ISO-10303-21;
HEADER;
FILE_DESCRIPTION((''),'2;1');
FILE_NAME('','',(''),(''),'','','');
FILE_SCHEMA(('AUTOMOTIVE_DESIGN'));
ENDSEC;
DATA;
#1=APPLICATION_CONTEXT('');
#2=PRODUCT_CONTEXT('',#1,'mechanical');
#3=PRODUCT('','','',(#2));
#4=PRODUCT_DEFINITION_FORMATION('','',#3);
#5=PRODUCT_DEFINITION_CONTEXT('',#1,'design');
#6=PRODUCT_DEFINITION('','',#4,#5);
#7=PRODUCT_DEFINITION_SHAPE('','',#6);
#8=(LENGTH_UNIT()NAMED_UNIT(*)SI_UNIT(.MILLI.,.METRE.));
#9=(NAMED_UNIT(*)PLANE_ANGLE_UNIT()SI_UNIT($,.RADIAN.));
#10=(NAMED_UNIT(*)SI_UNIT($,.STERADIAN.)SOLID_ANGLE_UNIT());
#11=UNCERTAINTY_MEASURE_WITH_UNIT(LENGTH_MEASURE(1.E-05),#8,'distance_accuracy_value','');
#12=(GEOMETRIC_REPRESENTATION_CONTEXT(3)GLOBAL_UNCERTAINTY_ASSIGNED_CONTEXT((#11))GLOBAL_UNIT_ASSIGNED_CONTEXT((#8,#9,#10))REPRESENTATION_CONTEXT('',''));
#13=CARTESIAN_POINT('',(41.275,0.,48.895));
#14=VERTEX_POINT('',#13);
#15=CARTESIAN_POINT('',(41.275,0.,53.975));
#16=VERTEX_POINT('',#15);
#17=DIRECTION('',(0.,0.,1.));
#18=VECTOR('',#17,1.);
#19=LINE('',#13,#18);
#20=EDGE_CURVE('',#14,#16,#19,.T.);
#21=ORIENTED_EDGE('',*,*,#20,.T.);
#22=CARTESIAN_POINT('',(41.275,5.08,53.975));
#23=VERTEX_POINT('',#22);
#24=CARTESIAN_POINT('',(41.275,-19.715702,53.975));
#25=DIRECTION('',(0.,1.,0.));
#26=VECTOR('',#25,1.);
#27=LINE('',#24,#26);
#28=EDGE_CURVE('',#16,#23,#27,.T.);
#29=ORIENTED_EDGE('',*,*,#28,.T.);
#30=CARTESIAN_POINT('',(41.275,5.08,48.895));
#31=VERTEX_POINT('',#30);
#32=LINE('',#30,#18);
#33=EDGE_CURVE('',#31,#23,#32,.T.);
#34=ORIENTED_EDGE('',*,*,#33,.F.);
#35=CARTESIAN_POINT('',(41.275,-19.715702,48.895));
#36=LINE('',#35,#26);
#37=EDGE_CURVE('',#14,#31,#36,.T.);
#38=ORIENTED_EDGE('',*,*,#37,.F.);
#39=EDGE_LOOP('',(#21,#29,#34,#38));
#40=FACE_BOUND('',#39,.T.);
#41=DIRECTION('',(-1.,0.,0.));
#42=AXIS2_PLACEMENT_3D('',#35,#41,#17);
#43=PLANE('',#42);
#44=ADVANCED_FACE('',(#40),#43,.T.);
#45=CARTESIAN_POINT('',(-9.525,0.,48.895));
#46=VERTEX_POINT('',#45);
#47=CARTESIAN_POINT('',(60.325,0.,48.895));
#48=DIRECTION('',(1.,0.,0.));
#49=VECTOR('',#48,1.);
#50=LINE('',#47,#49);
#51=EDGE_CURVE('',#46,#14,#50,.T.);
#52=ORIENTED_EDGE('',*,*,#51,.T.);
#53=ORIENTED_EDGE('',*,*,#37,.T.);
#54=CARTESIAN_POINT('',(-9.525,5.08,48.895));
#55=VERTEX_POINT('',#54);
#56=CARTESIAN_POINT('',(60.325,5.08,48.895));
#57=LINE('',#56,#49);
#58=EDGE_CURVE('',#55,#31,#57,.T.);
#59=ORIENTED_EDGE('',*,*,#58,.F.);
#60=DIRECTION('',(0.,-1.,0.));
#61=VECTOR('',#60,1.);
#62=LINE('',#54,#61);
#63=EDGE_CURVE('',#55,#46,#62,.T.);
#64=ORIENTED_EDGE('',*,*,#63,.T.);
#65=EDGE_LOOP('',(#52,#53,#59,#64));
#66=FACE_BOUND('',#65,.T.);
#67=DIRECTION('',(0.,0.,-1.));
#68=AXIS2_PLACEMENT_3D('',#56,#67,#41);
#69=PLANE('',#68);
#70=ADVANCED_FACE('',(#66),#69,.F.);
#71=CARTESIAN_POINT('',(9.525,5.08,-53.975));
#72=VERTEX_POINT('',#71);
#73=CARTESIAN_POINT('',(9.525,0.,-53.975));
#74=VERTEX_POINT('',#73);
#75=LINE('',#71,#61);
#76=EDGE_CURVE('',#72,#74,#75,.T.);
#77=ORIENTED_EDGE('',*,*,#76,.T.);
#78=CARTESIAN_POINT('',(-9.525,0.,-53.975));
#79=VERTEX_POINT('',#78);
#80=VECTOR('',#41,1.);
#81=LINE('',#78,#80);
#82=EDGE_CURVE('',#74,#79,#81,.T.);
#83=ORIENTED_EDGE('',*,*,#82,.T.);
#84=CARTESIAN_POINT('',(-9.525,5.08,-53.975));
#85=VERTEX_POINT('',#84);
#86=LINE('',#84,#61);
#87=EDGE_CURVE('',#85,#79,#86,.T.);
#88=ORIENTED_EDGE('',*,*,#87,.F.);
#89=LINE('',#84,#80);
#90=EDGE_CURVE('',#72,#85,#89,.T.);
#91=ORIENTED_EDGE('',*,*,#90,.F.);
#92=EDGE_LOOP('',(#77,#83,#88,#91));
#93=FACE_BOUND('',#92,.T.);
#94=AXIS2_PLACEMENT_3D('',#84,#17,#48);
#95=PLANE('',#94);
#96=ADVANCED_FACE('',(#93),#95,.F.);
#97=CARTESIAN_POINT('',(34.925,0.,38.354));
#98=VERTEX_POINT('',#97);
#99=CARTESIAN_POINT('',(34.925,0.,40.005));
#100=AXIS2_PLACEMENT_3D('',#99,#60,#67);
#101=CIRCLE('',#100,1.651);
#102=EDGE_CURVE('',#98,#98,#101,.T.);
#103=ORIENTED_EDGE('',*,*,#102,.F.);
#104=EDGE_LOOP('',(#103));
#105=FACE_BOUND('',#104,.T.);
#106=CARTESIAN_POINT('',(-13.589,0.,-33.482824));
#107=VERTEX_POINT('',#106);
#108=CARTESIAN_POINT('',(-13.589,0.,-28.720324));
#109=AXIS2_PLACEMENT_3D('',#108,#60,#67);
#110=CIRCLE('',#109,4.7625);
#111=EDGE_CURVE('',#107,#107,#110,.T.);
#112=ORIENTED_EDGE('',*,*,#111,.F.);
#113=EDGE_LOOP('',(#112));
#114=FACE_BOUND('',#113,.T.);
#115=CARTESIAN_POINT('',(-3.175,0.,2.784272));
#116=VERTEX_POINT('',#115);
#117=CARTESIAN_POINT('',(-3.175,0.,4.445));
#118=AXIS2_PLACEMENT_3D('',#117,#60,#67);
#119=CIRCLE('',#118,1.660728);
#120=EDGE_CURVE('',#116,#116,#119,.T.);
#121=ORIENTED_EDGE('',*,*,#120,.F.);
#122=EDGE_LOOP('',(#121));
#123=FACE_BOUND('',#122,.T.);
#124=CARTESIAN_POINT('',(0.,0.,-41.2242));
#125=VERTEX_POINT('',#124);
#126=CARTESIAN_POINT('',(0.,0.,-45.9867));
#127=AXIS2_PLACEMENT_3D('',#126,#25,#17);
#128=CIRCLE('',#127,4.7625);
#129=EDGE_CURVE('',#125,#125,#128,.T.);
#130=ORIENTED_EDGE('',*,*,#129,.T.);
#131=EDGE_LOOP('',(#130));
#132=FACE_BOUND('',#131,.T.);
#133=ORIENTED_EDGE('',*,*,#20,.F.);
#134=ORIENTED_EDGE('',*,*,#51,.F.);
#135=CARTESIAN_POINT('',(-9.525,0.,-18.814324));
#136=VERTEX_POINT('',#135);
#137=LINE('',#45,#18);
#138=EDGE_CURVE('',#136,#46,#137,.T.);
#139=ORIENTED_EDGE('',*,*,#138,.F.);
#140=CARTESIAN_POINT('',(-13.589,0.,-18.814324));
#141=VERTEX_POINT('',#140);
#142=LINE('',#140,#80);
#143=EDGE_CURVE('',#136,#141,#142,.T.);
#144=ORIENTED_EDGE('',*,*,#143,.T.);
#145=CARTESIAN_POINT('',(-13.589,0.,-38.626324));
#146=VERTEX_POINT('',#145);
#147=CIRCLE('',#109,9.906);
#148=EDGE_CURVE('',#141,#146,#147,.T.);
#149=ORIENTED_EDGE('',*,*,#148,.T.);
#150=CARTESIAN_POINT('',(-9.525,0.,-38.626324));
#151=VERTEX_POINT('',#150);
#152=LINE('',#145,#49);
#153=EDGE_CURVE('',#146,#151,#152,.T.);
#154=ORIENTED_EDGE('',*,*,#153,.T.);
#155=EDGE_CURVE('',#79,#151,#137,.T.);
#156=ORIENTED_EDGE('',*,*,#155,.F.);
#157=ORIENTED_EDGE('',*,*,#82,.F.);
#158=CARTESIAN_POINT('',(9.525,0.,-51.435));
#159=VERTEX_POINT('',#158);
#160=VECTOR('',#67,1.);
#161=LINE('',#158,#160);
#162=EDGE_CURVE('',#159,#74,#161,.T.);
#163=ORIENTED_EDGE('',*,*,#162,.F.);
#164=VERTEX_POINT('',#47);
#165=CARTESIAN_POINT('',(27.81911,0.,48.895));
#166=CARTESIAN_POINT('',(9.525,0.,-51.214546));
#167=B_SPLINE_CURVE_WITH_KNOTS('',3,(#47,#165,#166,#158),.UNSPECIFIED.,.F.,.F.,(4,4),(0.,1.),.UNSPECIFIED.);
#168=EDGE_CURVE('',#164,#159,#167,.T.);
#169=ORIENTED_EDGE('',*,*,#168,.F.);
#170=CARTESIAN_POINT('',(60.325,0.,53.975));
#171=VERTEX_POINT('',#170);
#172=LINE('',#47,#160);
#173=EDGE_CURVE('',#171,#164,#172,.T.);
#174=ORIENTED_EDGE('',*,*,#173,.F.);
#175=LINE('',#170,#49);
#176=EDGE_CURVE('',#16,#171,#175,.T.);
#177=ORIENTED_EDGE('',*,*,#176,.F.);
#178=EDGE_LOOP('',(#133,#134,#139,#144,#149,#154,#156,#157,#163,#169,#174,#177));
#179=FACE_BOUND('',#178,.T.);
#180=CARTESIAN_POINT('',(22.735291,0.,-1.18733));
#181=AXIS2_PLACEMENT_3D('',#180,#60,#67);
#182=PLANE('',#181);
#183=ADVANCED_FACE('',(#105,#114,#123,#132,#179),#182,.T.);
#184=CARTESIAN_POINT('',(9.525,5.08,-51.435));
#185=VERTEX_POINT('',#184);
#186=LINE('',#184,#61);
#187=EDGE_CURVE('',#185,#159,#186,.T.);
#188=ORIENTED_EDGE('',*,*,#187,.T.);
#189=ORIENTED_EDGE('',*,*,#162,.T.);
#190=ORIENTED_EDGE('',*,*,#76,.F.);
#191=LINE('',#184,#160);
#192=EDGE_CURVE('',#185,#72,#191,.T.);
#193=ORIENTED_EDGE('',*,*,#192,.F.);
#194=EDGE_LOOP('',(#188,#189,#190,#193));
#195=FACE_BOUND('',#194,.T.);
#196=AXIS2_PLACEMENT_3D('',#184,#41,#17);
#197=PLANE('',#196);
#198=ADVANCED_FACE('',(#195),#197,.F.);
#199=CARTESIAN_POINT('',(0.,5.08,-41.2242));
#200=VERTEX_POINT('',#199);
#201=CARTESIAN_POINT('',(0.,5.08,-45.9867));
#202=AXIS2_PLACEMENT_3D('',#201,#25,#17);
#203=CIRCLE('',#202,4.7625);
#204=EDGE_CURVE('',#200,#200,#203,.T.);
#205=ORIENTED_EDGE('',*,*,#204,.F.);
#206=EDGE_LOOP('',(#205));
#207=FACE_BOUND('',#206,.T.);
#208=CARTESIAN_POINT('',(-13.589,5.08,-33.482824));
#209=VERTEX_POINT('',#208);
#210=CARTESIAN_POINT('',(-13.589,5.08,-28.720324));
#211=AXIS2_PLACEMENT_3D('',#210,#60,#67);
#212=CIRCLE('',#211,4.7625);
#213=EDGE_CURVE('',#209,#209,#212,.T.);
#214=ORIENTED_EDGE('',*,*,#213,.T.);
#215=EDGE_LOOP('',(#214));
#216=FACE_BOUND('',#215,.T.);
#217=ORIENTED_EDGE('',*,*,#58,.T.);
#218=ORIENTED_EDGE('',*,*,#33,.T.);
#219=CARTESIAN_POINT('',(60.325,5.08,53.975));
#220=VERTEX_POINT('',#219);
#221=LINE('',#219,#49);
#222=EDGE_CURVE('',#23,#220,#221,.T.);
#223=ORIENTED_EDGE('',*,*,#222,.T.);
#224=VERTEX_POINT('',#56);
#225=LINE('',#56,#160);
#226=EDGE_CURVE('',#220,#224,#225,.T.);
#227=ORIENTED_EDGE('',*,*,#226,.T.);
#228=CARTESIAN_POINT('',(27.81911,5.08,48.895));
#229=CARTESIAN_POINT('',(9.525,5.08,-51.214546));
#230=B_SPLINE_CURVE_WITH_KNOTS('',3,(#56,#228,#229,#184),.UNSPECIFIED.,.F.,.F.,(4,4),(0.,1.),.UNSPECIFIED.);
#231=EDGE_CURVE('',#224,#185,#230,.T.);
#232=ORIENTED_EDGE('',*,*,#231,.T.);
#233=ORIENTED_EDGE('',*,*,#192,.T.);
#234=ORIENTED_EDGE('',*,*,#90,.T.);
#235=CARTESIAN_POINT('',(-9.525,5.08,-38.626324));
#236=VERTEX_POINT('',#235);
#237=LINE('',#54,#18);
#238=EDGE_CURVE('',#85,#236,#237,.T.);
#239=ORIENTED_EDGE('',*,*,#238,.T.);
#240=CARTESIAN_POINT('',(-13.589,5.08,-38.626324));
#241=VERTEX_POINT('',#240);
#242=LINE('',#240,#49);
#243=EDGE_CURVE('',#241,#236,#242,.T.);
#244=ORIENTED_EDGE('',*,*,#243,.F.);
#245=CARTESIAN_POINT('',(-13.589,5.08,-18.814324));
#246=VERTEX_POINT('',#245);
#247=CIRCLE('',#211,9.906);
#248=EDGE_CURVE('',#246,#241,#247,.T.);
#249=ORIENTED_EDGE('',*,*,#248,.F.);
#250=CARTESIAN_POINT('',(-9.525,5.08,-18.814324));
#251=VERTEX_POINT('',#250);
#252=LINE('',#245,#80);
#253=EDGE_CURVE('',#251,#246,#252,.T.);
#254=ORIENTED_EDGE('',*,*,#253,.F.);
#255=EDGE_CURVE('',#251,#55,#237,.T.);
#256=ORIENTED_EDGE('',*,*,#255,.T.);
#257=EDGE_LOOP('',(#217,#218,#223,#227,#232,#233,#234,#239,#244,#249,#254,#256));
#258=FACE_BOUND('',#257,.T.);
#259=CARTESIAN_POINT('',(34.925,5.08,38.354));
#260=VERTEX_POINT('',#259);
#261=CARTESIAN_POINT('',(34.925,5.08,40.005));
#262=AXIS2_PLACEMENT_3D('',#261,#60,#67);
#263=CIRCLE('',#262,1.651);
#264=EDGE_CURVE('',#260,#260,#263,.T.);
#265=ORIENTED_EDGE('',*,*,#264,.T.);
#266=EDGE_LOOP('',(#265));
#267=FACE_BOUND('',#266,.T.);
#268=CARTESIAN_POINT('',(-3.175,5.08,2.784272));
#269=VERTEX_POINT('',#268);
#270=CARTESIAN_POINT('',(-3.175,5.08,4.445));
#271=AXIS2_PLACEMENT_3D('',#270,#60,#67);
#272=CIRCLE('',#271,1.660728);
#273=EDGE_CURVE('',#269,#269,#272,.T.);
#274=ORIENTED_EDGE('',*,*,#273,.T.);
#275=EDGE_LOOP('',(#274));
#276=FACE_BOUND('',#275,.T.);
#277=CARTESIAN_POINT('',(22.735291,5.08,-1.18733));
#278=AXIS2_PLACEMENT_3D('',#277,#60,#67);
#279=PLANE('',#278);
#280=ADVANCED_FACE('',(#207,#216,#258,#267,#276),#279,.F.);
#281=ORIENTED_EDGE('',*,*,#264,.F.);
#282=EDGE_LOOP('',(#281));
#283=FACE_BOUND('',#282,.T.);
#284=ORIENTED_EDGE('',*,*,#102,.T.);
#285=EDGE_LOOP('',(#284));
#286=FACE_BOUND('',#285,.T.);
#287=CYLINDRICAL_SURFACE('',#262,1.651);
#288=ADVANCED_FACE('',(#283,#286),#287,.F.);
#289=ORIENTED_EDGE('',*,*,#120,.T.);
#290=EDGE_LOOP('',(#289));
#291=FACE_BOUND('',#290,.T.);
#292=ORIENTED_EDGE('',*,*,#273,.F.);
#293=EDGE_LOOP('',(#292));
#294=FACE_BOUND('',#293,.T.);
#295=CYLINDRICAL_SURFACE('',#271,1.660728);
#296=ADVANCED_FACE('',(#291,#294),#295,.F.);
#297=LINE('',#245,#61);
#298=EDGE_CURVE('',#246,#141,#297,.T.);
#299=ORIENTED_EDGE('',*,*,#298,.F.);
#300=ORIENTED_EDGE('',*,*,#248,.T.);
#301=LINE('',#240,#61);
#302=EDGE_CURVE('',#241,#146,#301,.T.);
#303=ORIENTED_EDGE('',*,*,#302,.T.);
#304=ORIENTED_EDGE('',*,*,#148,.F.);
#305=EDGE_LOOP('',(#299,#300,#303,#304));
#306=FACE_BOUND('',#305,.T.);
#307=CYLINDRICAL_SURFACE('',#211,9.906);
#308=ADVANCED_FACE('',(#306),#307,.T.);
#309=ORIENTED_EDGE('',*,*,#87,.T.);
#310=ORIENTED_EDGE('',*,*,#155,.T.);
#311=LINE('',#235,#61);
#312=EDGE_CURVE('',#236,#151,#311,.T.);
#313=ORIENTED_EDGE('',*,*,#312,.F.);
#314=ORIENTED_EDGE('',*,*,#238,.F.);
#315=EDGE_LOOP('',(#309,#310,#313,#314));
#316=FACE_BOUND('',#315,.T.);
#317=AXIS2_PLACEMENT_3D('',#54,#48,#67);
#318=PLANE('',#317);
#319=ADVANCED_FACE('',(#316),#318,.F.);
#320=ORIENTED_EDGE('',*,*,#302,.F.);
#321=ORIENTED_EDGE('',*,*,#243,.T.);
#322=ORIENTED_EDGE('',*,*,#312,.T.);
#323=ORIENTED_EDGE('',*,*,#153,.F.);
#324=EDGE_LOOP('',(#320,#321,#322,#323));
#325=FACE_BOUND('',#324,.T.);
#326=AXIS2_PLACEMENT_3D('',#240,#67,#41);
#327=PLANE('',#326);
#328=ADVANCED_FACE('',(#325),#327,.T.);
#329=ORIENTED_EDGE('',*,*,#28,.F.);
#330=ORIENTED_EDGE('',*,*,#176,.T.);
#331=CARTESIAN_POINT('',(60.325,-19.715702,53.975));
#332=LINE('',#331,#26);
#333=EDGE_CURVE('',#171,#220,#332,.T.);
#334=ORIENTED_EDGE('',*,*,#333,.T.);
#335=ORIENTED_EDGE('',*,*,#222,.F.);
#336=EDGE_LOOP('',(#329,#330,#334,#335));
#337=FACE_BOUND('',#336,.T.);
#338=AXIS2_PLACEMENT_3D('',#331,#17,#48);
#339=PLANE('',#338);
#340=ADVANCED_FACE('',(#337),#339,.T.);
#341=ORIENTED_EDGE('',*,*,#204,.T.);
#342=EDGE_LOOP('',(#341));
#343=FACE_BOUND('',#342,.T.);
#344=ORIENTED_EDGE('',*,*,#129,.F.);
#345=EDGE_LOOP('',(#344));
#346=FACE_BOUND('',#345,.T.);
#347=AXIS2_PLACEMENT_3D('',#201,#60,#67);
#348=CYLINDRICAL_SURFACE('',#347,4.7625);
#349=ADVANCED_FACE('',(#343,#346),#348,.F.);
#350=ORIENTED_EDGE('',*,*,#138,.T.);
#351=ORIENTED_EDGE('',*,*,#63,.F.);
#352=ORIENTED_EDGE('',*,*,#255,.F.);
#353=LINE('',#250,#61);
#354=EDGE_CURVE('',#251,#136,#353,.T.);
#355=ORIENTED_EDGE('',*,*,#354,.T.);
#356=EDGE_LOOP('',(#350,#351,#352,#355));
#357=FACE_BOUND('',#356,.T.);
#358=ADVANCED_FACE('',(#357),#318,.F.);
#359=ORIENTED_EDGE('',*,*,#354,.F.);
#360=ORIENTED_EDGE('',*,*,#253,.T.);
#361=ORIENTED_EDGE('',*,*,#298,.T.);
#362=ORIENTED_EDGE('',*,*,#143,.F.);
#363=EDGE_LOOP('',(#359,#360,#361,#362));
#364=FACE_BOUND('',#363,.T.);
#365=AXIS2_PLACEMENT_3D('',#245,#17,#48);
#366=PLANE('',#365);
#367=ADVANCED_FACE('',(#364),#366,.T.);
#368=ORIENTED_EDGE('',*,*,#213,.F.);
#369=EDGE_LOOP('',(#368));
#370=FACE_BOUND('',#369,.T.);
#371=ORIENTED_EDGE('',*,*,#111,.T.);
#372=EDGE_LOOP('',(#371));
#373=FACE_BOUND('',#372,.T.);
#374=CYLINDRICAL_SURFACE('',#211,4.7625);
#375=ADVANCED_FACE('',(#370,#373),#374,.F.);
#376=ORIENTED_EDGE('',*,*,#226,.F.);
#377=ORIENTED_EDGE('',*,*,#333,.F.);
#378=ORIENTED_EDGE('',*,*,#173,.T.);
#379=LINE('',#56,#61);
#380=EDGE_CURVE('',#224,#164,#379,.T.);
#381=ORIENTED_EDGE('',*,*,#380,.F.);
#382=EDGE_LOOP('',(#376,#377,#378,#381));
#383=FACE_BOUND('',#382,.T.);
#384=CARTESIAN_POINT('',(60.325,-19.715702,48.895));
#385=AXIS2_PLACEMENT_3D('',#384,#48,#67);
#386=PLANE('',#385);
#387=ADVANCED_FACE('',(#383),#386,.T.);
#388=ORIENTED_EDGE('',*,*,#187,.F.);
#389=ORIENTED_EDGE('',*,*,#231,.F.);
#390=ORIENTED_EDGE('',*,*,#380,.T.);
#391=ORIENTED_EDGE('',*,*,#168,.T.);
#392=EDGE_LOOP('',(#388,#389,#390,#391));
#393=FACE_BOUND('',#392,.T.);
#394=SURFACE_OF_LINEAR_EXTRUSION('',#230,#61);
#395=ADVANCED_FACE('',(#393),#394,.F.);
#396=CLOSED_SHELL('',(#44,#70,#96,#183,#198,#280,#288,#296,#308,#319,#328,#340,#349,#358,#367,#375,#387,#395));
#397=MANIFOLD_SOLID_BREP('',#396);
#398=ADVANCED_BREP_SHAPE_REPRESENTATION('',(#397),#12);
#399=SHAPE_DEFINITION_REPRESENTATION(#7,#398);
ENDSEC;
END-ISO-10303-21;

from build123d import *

# Parameters (mm, degrees)
SKETCH1_R               = 4.7625
BOSS_EXTRUDE1_DEPTH     = 5.08
SKETCH4_W               = 19.05
SKETCH4_H               = 5.08
BOSS_EXTRUDE2_DEPTH     = 5.08
SKETCH5_R               = 1.651
SKETCH5_R_2             = 1.660728382
CUT_EXTRUDE1_DEPTH      = 1.0000001
CUT_EXTRUDE1_DEPTH_BACK = 6.0800001
SKETCH6_R               = 4.7625
BOSS_EXTRUDE3_DEPTH     = 5.08
SKETCH8_R               = 4.7625
CUT_EXTRUDE2_DEPTH      = 6.0800001


with BuildPart() as part:
    # Sketch1 → Boss-Extrude1 (new body)
    with BuildSketch(Plane(origin=(0, 0, 0), x_dir=(1, 0, 0), z_dir=(0, 1, 0))):
        with BuildLine():
            Line((-9.525, 53.975), (9.525, 53.975))
            Line((9.525, 53.975), (9.525, 51.435))
            add(Edge.make_bspline(
                [(9.525, 51.435), (9.525, 51.21454564), (27.819109584, -48.895), (60.325, -48.895)],
                knots=[0, 0, 0, 0, 1, 1, 1, 1], degree=3))
            Line((60.325, -48.895), (-9.525, -48.895))
            Line((-9.525, -48.895), (-9.525, 53.975))
        make_face()
        with Locations((0, 45.9867)):
            Circle(SKETCH1_R, mode=Mode.SUBTRACT)
    extrude(amount=BOSS_EXTRUDE1_DEPTH)

    # Sketch4 → Boss-Extrude2 (add)
    with BuildSketch(Plane(origin=(0, 5.08, 0), x_dir=(1, 0, 0), z_dir=(0, 1, 0))):
        with Locations((50.8, -51.435)):
            Rectangle(SKETCH4_W, SKETCH4_H)
    extrude(amount=-BOSS_EXTRUDE2_DEPTH)

    # Sketch5 → Cut-Extrude1 (cut, two sides)
    with BuildSketch(Plane.XZ) as cut_extrude1_sk:
        with Locations((34.925, 40.005)):
            Circle(SKETCH5_R)
        with Locations((-3.175, 4.445)):
            Circle(SKETCH5_R_2)
    extrude(amount=CUT_EXTRUDE1_DEPTH, mode=Mode.SUBTRACT)
    extrude(cut_extrude1_sk.sketch, amount=-CUT_EXTRUDE1_DEPTH_BACK, mode=Mode.SUBTRACT)

    # Sketch6 → Boss-Extrude3 (add)
    with BuildSketch(Plane.XZ):
        with BuildLine():
            Line((-13.589, -18.81432439), (-9.525, -18.81432439))
            Line((-9.525, -18.81432439), (-9.525, -19.686347414))
            ThreePointArc((-9.525, -19.686347414), (-3.683, -28.72032439), (-9.525, -37.754301365))
            Line((-9.525, -37.754301365), (-9.525, -38.62632439))
            Line((-9.525, -38.62632439), (-13.589, -38.62632439))
            ThreePointArc((-13.589, -38.62632439), (-23.495, -28.72032439), (-13.589, -18.81432439))
        make_face()
        with Locations((-13.589, -28.72032439)):
            Circle(SKETCH6_R, mode=Mode.SUBTRACT)
    extrude(amount=-BOSS_EXTRUDE3_DEPTH)

    # Sketch8 → Cut-Extrude2 (cut, through all)
    with BuildSketch(Plane(origin=(0, 5.08, 0), x_dir=(1, 0, 0), z_dir=(0, 1, 0))):
        with Locations((-13.589, 28.72032439)):
            Circle(SKETCH8_R)
    extrude(amount=-CUT_EXTRUDE2_DEPTH, mode=Mode.SUBTRACT)


solid = part.part
